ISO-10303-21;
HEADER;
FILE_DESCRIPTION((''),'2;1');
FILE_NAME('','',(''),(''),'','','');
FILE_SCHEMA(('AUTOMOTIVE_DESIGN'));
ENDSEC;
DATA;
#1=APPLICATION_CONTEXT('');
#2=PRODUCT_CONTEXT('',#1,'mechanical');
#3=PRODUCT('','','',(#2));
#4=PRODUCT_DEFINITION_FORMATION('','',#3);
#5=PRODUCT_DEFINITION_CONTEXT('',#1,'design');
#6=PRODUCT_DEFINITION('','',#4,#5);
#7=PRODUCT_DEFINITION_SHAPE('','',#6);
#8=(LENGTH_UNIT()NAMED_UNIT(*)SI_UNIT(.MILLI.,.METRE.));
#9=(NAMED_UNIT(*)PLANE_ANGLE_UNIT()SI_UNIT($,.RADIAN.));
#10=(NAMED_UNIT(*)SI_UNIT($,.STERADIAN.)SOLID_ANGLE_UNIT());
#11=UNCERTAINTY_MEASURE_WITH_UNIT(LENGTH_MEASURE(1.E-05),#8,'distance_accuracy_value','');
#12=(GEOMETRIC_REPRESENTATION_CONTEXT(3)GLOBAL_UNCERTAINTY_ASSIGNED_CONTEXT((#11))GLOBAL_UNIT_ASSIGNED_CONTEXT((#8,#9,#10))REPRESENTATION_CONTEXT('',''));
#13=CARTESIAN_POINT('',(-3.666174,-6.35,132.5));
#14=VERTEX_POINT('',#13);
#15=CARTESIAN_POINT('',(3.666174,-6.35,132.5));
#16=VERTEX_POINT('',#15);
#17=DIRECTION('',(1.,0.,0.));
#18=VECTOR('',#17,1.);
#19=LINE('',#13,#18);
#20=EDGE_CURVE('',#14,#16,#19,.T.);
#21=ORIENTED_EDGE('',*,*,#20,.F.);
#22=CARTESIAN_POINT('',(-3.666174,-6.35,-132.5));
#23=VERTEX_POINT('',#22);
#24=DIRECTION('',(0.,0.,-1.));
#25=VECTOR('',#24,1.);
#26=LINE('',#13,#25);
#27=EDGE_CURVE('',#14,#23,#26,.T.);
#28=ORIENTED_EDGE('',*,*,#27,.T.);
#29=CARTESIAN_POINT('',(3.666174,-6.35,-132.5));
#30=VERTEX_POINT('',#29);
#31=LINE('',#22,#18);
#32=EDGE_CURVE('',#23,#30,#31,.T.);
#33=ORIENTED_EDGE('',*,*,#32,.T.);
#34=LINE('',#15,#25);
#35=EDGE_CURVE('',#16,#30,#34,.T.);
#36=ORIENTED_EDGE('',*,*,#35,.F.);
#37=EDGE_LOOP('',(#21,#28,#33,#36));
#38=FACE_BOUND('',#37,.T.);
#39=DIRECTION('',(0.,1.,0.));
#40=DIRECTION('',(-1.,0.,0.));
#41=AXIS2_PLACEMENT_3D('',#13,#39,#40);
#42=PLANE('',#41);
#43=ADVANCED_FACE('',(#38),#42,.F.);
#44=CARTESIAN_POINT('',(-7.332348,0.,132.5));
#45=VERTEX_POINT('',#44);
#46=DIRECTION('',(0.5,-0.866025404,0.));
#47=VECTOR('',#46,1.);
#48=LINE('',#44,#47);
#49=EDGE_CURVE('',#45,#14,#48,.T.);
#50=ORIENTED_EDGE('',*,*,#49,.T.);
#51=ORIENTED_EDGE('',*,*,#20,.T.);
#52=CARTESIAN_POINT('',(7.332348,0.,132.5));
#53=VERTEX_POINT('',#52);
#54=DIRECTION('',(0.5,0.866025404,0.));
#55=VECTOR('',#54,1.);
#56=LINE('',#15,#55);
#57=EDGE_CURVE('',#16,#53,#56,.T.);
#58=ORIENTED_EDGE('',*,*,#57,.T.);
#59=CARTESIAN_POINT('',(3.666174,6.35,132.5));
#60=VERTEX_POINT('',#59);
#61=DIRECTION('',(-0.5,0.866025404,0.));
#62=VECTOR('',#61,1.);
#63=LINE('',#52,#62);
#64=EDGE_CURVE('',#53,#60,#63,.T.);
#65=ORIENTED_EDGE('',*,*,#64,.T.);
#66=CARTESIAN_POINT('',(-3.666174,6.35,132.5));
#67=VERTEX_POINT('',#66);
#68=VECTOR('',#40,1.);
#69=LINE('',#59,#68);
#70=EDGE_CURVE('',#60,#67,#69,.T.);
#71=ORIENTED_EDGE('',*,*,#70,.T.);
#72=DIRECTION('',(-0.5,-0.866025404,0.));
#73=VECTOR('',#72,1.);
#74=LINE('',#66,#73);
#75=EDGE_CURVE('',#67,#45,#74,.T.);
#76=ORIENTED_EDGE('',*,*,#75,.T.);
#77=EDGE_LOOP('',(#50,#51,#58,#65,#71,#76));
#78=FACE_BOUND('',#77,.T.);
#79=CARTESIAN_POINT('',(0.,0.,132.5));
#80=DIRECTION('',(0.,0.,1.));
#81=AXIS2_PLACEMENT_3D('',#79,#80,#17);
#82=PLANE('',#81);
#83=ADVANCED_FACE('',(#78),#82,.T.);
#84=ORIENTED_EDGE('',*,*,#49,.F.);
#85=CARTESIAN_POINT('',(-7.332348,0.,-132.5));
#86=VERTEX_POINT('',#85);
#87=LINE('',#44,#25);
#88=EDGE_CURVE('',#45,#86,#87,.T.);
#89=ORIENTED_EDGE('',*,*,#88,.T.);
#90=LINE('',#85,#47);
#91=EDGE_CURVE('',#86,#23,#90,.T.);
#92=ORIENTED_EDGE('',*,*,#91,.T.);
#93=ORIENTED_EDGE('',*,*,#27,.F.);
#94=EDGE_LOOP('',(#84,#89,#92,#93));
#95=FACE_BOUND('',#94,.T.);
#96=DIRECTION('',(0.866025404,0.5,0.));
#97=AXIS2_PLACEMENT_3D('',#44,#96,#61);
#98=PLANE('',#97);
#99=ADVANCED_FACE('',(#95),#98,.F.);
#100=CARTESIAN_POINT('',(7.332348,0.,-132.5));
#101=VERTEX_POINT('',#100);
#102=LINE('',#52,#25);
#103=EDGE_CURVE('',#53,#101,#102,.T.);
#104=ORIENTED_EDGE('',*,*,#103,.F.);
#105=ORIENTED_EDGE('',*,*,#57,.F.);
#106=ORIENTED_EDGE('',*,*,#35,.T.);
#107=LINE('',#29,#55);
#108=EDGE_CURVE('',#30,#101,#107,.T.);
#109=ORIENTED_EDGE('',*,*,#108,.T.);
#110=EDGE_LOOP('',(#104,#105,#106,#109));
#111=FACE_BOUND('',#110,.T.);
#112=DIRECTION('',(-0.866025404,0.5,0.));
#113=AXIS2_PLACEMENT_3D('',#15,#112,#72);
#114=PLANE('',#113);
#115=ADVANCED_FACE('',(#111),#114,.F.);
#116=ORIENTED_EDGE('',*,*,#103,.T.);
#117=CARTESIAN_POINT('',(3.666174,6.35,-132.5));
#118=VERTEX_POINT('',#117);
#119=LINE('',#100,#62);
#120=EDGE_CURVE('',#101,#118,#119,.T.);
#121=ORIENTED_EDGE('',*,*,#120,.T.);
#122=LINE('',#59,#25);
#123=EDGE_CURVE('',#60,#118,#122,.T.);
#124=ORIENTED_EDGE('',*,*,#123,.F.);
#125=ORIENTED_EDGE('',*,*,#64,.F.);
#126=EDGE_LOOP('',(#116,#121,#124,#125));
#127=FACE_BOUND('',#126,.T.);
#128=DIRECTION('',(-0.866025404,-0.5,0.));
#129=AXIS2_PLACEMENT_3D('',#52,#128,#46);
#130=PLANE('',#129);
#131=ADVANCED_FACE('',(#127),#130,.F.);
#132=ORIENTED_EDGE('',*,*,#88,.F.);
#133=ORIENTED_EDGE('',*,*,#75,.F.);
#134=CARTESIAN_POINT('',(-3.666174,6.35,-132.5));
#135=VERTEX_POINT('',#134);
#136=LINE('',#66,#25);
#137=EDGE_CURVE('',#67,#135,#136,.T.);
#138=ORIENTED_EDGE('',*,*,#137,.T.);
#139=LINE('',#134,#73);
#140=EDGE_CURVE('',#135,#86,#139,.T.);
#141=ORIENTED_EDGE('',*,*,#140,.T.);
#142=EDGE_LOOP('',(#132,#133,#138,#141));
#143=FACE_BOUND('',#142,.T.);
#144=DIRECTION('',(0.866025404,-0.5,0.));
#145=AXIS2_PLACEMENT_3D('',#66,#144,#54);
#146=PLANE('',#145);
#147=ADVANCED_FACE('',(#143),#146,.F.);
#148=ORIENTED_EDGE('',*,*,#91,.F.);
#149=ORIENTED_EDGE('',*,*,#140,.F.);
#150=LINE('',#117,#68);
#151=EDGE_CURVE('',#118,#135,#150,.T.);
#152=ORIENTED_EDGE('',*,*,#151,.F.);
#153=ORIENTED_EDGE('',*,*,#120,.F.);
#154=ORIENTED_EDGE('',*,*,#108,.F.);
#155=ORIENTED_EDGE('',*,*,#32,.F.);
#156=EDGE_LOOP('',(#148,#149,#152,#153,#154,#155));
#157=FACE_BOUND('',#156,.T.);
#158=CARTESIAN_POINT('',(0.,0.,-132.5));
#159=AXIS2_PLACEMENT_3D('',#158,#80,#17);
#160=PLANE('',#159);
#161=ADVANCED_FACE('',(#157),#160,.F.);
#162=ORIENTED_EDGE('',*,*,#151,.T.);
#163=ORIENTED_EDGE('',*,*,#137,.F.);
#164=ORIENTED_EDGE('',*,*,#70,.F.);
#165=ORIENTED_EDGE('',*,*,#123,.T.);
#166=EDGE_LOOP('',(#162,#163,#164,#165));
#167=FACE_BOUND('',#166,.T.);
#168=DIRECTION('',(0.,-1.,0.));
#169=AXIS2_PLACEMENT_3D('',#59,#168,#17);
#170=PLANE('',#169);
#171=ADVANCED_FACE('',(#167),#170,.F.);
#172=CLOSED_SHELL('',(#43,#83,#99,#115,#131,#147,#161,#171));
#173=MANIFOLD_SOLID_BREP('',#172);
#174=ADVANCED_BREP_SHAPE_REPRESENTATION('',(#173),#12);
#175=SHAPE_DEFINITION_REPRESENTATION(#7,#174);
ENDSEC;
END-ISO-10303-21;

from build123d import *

# Parameters (mm, degrees)
BOSS_EXTRUDE1_DEPTH = 132.5


with BuildPart() as part:
    # Sketch1 → Boss-Extrude1 (new, symmetric)
    with BuildSketch(Plane.XY):
        Polygon((7.332348419, 0), (3.666174209, 6.35), (-3.666174209, 6.35), (-7.332348419, 0), (-3.666174209, -6.35), (3.666174209, -6.35), align=None)
    extrude(amount=BOSS_EXTRUDE1_DEPTH, both=True)


solid = part.part
